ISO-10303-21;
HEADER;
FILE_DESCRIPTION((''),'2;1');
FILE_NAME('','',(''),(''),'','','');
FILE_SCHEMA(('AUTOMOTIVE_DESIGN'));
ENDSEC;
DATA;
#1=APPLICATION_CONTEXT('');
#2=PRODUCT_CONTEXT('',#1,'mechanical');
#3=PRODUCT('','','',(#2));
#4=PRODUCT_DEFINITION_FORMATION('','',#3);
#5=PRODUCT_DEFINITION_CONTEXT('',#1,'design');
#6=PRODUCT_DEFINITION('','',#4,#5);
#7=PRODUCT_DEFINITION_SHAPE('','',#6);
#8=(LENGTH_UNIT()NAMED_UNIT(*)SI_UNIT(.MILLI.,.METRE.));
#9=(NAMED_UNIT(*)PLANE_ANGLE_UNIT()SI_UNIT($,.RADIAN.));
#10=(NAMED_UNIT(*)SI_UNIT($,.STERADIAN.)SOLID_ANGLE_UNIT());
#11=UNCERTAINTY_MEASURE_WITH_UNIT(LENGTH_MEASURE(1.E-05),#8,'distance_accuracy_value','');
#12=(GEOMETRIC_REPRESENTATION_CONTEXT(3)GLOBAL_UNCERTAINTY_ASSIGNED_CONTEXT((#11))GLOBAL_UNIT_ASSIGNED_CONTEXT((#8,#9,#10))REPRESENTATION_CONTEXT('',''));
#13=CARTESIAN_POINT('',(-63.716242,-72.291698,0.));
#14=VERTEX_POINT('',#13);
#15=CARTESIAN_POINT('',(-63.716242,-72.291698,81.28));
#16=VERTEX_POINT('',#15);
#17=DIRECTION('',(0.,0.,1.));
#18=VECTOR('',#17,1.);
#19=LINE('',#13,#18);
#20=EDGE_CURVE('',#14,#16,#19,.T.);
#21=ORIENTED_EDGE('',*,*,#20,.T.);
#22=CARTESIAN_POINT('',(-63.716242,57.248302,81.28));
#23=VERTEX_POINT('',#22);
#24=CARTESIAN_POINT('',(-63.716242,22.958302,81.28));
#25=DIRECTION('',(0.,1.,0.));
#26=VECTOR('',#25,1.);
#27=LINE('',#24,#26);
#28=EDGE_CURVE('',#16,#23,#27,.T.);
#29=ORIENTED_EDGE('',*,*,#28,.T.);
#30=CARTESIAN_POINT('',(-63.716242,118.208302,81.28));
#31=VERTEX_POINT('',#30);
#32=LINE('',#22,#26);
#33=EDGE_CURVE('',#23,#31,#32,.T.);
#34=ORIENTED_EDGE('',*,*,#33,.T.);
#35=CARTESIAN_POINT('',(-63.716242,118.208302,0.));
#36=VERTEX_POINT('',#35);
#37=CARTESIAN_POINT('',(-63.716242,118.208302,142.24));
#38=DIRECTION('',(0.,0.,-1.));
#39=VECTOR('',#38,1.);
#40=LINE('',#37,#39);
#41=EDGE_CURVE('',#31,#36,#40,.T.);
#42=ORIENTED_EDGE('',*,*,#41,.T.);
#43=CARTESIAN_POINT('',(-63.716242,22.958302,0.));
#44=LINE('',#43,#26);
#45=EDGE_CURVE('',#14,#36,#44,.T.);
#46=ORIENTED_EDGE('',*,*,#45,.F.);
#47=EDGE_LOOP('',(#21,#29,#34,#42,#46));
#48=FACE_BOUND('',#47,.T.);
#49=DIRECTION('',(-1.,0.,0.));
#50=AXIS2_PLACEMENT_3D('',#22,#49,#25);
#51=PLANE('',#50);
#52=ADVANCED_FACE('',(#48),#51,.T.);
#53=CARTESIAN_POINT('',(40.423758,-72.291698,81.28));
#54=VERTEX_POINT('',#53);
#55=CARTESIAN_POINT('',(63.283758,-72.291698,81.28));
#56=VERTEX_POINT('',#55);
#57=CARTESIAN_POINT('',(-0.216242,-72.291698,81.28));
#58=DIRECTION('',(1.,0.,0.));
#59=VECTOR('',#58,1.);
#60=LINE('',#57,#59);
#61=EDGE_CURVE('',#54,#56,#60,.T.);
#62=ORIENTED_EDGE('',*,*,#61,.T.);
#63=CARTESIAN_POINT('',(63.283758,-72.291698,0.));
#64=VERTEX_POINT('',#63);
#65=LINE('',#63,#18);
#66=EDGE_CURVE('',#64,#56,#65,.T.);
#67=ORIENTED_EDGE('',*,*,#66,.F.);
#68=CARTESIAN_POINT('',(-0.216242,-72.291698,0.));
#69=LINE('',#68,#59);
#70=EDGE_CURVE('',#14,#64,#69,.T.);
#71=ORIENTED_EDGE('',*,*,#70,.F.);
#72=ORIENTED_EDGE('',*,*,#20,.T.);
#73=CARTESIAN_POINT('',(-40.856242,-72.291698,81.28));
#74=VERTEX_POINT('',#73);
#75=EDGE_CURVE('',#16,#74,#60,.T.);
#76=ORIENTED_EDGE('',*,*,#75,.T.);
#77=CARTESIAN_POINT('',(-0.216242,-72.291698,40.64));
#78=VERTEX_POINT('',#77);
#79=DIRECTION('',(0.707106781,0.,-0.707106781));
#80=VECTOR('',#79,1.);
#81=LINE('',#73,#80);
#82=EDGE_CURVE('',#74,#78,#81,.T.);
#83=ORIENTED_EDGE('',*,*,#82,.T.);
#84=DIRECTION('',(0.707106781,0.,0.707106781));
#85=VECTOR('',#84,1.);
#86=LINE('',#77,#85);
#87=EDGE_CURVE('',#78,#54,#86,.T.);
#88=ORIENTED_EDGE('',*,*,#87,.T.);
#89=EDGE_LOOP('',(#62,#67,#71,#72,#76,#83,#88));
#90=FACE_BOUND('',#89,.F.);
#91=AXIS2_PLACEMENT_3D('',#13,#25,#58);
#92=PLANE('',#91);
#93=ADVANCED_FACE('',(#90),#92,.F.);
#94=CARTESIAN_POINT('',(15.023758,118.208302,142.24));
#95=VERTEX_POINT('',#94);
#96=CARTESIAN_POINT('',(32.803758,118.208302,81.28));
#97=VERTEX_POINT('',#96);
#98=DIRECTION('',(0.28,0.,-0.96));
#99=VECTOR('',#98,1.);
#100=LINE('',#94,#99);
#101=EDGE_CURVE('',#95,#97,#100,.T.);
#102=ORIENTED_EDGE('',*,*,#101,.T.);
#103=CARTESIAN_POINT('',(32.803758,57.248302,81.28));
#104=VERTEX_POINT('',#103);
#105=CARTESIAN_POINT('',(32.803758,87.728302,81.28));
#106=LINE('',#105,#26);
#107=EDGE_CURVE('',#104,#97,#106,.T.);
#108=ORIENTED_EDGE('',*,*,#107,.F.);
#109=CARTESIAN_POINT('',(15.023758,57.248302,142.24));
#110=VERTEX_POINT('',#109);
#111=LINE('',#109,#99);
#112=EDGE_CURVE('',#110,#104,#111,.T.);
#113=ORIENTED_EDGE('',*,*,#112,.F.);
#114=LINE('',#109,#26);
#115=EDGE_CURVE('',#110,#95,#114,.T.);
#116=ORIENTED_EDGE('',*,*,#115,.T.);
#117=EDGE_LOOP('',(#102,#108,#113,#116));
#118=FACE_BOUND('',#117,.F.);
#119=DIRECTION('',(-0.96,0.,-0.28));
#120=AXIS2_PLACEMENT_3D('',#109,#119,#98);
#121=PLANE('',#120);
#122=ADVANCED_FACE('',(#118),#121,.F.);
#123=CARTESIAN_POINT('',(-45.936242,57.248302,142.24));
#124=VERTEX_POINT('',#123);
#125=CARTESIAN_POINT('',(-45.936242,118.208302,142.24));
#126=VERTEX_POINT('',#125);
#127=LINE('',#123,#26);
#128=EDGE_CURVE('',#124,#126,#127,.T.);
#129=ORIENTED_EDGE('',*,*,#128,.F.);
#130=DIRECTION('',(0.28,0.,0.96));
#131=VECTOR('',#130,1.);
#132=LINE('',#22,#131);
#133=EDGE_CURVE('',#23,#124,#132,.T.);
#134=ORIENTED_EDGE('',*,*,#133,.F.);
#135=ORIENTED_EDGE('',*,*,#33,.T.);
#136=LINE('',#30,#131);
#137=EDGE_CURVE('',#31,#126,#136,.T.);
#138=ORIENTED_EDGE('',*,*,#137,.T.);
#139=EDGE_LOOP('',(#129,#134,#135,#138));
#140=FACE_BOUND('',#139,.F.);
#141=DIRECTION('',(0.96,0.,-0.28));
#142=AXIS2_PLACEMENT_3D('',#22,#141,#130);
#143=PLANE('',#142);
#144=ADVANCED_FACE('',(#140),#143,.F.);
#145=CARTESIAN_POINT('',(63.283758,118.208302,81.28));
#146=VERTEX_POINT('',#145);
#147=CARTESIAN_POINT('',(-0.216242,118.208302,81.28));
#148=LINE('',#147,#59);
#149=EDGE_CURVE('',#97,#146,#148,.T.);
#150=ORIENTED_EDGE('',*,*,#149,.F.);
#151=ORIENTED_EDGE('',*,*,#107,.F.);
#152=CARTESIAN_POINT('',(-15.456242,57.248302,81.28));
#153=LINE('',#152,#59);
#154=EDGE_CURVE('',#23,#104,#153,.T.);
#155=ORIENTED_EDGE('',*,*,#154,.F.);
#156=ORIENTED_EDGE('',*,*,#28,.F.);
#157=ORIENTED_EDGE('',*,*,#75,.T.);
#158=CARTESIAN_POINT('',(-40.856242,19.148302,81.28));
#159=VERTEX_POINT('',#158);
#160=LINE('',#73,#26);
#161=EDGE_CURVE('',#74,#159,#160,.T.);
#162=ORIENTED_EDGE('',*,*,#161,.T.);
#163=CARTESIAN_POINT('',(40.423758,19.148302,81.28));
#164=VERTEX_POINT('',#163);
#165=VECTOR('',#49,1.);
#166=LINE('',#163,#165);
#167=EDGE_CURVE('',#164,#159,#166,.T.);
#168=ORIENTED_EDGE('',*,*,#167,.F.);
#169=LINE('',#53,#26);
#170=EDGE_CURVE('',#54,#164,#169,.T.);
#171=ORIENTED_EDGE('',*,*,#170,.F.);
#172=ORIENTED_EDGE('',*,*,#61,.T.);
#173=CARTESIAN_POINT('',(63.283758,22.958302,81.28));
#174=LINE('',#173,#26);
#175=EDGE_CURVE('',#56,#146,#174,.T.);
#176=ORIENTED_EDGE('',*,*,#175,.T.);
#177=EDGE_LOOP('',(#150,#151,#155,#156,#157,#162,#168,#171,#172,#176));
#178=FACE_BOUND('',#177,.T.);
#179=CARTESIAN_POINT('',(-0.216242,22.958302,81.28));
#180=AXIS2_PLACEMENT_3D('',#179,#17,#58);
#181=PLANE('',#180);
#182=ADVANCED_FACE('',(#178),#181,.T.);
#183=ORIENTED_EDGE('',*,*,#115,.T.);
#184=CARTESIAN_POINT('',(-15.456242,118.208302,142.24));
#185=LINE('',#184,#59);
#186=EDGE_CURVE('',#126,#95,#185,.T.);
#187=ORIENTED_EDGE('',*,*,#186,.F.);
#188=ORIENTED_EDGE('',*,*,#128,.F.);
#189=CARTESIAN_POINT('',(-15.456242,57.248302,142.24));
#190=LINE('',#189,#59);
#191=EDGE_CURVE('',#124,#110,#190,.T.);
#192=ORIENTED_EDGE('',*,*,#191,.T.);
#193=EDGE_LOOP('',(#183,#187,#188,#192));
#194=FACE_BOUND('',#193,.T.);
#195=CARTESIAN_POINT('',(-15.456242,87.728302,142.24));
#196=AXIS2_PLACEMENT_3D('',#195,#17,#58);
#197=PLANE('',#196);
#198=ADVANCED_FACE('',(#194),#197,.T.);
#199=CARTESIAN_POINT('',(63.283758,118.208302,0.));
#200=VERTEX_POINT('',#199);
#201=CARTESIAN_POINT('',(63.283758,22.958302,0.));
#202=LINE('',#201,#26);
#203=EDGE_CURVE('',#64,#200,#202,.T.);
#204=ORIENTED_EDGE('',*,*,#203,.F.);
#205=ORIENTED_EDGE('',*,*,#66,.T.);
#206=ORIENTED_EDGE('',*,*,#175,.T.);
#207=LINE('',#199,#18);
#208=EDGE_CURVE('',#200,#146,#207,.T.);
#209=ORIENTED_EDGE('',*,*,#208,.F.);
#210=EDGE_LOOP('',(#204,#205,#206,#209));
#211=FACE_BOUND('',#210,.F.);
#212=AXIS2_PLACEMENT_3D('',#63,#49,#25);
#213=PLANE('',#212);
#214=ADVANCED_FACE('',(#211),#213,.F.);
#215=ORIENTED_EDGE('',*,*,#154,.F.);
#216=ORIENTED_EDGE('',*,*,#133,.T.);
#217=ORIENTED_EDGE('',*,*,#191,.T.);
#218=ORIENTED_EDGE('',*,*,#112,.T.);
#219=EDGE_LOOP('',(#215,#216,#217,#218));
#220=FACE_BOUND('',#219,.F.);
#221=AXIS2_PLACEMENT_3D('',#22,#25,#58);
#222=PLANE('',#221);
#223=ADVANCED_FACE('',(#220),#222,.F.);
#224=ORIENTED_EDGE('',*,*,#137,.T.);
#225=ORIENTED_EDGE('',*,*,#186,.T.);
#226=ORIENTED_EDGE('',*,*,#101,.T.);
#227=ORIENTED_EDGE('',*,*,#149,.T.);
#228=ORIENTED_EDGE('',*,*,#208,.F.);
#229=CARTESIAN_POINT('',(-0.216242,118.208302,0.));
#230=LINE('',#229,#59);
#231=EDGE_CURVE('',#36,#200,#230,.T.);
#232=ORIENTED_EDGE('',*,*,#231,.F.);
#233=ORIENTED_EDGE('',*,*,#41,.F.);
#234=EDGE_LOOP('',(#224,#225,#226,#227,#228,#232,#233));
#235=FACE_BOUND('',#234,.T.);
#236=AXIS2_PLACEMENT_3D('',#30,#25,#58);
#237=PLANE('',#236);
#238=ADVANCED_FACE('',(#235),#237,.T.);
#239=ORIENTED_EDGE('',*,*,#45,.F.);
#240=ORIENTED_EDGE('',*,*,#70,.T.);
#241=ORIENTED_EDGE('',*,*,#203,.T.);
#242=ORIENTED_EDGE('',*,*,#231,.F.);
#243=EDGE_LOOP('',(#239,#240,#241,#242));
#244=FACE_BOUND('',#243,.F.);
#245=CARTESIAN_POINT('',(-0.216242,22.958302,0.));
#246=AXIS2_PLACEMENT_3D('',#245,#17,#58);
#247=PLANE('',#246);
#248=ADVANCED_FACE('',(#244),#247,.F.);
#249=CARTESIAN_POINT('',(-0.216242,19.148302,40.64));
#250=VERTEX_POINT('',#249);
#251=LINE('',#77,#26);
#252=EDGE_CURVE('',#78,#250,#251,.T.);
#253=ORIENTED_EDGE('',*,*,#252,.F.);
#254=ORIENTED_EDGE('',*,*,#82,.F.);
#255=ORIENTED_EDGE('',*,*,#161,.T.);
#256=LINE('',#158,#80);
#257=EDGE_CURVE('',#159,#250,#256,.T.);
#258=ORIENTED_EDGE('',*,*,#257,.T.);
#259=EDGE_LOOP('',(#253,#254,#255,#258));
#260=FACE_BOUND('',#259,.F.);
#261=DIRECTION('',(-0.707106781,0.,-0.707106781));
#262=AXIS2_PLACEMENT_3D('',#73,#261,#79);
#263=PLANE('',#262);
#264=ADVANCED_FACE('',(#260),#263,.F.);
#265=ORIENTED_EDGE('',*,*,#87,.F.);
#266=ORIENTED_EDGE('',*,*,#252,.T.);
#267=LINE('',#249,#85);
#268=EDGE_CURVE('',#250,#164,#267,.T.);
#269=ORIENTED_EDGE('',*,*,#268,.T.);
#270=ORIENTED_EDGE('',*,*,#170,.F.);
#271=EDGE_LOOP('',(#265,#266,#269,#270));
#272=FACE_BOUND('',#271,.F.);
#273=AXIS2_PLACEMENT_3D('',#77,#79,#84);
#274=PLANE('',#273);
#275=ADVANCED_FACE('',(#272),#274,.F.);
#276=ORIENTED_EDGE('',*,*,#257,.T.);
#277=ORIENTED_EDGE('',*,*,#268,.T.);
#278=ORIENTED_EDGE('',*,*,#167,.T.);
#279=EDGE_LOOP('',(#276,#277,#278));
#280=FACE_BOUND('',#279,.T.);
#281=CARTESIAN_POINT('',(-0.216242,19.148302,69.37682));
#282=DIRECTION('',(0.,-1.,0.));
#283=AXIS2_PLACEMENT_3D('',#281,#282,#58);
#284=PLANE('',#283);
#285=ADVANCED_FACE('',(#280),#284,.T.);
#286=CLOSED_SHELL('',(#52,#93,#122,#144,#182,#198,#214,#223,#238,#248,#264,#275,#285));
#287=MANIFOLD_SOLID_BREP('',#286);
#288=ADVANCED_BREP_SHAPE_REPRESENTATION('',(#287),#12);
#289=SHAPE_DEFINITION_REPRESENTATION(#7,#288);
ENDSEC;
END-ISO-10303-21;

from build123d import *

# Parameters (mm, degrees)
F0_W     = 127
F0_H     = 190.5
F1_DEPTH = 81.28
F3_DEPTH = 91.44
F4_W     = 96.52
F4_H     = 60.96
F5_DEPTH = 60.96
F7_DEPTH = 60.96


with BuildPart() as f1:
    # F0 (on Top) → F1 (new body)
    with BuildSketch(Plane.XY):
        with Locations((-0.216242, 22.958302)):
            Rectangle(F0_W, F0_H)
    extrude(amount=F1_DEPTH)

    # F2 (on face) → F3 (cut)
    with BuildSketch(Plane.XZ.offset(72.291698)):
        Polygon((40.423758, 81.28), (-40.856242, 81.28), (-0.216242, 40.64), align=None)
    extrude(amount=-F3_DEPTH, mode=Mode.SUBTRACT)

    # F4 (on face) → F5 (join)
    with BuildSketch(Plane.XY.offset(81.28)):
        with Locations((-15.456242, 87.728302)):
            Rectangle(F4_W, F4_H)
    extrude(amount=F5_DEPTH)

    # F6 (on face) → F7 (cut)
    with BuildSketch(Plane.XZ.offset(-57.248302)):
        Polygon((-63.716242, 142.24), (-63.716242, 81.28), (-45.936242, 142.24), align=None)
        Polygon((15.023758, 142.24), (32.803758, 81.28), (32.803758, 142.24), align=None)
    extrude(amount=-F7_DEPTH, mode=Mode.SUBTRACT)


solid = f1.part
